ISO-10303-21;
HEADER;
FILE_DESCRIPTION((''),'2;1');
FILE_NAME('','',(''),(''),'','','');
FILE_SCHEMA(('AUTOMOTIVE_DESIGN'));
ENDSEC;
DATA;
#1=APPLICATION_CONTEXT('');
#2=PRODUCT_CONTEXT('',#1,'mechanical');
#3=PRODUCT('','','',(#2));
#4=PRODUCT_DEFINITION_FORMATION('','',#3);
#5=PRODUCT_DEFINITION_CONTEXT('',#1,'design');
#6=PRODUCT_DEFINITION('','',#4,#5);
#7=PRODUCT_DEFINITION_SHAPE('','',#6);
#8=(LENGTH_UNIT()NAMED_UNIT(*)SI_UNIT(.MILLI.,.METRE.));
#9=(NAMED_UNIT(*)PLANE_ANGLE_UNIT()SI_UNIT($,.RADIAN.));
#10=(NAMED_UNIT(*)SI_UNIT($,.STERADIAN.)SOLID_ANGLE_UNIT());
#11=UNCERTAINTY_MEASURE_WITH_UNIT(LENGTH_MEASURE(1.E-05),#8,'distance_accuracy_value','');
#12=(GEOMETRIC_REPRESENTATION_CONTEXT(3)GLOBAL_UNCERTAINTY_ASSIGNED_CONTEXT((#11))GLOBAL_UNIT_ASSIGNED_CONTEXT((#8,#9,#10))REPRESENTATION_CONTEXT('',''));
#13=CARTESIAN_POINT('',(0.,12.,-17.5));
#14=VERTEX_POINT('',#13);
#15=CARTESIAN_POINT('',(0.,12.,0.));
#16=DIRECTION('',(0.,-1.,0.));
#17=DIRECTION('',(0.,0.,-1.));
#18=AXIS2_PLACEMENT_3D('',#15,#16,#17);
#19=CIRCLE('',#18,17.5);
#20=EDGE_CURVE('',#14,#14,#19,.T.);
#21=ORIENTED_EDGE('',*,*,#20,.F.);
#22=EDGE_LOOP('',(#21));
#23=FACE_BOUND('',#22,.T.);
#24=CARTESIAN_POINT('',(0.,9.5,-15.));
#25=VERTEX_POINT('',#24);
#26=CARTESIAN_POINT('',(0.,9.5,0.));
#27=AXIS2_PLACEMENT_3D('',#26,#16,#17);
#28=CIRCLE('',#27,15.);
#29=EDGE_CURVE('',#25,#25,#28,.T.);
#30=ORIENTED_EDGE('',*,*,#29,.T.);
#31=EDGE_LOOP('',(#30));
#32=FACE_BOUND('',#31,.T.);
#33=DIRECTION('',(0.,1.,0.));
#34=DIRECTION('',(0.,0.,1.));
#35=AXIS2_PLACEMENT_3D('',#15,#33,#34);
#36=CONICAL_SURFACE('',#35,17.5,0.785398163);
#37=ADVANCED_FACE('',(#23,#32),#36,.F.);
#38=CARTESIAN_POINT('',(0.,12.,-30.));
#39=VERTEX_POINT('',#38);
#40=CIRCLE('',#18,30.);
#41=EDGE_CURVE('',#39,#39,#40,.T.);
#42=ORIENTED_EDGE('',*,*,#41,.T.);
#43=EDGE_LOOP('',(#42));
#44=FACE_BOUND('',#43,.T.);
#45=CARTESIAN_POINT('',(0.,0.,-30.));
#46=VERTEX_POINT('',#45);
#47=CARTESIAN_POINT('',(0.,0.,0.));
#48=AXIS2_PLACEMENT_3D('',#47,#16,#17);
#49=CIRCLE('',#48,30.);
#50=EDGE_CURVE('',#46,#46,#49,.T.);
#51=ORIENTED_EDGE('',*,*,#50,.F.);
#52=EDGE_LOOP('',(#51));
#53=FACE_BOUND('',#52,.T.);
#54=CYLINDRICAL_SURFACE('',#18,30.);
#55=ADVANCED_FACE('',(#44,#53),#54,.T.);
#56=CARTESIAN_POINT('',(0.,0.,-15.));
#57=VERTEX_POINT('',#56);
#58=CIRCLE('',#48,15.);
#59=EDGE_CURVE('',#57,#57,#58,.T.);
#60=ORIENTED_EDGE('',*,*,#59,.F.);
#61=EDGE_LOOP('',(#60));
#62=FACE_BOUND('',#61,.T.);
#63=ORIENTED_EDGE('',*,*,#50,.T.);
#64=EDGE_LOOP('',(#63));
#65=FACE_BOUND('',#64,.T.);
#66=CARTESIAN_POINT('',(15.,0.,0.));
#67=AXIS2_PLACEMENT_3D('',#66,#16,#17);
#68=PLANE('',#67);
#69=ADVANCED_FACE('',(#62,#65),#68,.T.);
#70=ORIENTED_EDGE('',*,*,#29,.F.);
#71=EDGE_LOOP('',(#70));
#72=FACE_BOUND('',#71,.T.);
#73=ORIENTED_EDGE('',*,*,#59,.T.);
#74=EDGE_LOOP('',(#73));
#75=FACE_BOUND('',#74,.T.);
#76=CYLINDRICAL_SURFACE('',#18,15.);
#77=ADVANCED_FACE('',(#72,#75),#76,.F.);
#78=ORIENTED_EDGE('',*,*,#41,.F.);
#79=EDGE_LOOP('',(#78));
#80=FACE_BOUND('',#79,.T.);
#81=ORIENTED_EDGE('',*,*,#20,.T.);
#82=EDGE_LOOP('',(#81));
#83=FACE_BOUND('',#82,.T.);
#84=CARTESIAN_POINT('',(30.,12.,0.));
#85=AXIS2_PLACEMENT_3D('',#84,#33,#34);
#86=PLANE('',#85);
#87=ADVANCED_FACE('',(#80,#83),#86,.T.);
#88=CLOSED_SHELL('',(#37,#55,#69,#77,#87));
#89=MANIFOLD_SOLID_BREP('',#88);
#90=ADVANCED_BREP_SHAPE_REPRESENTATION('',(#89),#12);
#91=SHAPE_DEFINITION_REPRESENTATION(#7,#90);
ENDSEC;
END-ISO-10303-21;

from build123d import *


with BuildPart() as part:
    # Эскиз1 → Повернуть1 (revolve)
    with BuildSketch(Plane.XY, mode=Mode.PRIVATE) as revolve_1_sk:
        Polygon((30, 12), (17.5, 12), (15, 9.5), (15, 0), (30, 0), align=None)
    revolve(revolve_1_sk.sketch.rotate(Axis((0, 12, 0), (0, -1, 0)), 270), axis=Axis((0, 12, 0), (0, -1, 0)))


solid = part.part
